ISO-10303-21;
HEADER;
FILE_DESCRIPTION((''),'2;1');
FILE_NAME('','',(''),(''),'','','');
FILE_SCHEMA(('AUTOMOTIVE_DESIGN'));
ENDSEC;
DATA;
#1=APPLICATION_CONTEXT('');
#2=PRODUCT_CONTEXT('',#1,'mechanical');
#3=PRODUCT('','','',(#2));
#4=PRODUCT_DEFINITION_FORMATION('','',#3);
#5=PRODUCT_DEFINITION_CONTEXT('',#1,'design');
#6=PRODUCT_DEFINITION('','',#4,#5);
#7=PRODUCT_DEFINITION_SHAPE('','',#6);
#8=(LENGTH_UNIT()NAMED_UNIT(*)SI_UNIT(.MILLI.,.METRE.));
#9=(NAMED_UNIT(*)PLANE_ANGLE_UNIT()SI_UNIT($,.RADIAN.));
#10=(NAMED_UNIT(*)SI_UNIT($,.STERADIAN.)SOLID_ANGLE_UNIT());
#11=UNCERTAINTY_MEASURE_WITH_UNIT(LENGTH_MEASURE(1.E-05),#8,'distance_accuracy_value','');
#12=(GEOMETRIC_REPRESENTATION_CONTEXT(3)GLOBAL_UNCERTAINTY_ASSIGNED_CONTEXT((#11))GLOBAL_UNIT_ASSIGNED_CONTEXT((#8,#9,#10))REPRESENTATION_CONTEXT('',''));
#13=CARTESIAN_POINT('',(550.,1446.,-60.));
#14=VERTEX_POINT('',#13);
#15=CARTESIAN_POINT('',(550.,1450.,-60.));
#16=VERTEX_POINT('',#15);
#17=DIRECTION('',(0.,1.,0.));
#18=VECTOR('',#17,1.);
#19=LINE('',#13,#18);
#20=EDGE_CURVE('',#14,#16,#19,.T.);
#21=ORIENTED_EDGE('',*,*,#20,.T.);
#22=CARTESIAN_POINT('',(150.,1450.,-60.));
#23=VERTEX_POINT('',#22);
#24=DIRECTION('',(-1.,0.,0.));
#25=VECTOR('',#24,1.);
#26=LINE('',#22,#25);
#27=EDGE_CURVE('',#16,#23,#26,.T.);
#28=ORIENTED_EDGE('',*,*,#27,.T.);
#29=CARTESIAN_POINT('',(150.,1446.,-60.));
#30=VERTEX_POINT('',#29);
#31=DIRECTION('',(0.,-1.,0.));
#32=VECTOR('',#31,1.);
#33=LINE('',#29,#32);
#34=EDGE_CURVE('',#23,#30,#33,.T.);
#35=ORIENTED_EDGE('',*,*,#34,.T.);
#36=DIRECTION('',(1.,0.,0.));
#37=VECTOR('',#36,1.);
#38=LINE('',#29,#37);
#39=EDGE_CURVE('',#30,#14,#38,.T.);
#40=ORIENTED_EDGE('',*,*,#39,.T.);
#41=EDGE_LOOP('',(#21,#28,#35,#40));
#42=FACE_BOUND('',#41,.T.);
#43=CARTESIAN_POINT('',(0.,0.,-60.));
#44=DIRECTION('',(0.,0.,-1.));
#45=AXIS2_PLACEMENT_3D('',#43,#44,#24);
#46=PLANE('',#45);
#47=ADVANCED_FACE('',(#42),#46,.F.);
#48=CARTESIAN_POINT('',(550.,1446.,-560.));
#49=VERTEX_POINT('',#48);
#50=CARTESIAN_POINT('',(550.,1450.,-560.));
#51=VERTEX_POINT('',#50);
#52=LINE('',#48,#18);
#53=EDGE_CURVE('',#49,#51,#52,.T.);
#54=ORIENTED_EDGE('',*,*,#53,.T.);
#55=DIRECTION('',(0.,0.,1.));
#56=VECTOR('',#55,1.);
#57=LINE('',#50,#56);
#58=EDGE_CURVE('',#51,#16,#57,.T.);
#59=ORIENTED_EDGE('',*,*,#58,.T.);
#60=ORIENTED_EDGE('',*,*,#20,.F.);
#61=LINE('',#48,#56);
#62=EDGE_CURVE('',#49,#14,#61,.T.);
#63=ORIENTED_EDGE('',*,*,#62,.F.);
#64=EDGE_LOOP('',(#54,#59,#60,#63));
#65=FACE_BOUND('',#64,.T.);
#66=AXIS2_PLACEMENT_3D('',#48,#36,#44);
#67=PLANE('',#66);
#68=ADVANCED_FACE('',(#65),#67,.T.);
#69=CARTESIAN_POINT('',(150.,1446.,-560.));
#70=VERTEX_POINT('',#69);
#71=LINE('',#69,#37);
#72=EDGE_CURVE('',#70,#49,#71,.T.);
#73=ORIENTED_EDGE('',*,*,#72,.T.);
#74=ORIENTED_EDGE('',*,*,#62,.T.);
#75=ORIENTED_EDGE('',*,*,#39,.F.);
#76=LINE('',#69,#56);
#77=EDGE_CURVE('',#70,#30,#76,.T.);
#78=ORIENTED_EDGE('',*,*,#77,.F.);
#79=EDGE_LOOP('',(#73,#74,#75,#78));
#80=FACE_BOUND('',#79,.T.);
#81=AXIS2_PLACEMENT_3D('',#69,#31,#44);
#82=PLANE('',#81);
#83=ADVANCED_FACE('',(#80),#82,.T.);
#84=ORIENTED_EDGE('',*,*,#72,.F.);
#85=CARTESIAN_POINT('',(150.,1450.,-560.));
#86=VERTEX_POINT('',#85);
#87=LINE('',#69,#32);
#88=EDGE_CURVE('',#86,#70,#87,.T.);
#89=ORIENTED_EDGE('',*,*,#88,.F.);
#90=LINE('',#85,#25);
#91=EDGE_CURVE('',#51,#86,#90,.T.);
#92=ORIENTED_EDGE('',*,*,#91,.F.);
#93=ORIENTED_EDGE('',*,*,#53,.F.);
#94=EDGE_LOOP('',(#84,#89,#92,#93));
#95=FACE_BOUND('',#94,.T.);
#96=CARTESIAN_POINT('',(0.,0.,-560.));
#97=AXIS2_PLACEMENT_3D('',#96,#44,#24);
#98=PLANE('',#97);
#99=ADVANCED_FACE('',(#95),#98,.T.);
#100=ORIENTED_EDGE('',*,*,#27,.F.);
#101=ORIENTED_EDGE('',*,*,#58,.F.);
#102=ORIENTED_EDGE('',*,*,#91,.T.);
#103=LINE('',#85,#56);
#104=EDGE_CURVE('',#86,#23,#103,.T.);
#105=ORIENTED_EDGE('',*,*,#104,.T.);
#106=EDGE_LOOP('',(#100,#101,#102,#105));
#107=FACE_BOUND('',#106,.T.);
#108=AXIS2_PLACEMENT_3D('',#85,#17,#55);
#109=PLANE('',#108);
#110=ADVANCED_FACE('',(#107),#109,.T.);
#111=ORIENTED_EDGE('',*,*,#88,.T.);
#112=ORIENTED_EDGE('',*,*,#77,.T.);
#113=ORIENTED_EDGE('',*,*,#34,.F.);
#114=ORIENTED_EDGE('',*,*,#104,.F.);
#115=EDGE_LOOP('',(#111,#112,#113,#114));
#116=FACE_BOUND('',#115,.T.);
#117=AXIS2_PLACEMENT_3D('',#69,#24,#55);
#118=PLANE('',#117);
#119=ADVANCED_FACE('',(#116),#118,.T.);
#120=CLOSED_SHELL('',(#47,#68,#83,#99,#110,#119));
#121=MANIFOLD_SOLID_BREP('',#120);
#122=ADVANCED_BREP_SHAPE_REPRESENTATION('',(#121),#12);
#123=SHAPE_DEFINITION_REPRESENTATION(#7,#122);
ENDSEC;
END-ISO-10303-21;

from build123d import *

# Parameters (mm, degrees)
OVEN_OMAKE_HAZNE_2_TEPSI_DUZLEMI_145_1_START = -60
SKETCH1_W                                    = 400
SKETCH1_H                                    = 4
OVEN_OMAKE_HAZNE_2_TEPSI_DUZLEMI_145_1_DEPTH = 500


with BuildPart() as part:
    # Sketch1 → OVEN_OMAKE_hazne_2_tepsi_duzlemi_145_1 (new body)
    with BuildSketch(Plane.XY.offset(OVEN_OMAKE_HAZNE_2_TEPSI_DUZLEMI_145_1_START)):
        with Locations((350, 1448)):
            Rectangle(SKETCH1_W, SKETCH1_H)
    extrude(amount=-OVEN_OMAKE_HAZNE_2_TEPSI_DUZLEMI_145_1_DEPTH)


solid = part.part
